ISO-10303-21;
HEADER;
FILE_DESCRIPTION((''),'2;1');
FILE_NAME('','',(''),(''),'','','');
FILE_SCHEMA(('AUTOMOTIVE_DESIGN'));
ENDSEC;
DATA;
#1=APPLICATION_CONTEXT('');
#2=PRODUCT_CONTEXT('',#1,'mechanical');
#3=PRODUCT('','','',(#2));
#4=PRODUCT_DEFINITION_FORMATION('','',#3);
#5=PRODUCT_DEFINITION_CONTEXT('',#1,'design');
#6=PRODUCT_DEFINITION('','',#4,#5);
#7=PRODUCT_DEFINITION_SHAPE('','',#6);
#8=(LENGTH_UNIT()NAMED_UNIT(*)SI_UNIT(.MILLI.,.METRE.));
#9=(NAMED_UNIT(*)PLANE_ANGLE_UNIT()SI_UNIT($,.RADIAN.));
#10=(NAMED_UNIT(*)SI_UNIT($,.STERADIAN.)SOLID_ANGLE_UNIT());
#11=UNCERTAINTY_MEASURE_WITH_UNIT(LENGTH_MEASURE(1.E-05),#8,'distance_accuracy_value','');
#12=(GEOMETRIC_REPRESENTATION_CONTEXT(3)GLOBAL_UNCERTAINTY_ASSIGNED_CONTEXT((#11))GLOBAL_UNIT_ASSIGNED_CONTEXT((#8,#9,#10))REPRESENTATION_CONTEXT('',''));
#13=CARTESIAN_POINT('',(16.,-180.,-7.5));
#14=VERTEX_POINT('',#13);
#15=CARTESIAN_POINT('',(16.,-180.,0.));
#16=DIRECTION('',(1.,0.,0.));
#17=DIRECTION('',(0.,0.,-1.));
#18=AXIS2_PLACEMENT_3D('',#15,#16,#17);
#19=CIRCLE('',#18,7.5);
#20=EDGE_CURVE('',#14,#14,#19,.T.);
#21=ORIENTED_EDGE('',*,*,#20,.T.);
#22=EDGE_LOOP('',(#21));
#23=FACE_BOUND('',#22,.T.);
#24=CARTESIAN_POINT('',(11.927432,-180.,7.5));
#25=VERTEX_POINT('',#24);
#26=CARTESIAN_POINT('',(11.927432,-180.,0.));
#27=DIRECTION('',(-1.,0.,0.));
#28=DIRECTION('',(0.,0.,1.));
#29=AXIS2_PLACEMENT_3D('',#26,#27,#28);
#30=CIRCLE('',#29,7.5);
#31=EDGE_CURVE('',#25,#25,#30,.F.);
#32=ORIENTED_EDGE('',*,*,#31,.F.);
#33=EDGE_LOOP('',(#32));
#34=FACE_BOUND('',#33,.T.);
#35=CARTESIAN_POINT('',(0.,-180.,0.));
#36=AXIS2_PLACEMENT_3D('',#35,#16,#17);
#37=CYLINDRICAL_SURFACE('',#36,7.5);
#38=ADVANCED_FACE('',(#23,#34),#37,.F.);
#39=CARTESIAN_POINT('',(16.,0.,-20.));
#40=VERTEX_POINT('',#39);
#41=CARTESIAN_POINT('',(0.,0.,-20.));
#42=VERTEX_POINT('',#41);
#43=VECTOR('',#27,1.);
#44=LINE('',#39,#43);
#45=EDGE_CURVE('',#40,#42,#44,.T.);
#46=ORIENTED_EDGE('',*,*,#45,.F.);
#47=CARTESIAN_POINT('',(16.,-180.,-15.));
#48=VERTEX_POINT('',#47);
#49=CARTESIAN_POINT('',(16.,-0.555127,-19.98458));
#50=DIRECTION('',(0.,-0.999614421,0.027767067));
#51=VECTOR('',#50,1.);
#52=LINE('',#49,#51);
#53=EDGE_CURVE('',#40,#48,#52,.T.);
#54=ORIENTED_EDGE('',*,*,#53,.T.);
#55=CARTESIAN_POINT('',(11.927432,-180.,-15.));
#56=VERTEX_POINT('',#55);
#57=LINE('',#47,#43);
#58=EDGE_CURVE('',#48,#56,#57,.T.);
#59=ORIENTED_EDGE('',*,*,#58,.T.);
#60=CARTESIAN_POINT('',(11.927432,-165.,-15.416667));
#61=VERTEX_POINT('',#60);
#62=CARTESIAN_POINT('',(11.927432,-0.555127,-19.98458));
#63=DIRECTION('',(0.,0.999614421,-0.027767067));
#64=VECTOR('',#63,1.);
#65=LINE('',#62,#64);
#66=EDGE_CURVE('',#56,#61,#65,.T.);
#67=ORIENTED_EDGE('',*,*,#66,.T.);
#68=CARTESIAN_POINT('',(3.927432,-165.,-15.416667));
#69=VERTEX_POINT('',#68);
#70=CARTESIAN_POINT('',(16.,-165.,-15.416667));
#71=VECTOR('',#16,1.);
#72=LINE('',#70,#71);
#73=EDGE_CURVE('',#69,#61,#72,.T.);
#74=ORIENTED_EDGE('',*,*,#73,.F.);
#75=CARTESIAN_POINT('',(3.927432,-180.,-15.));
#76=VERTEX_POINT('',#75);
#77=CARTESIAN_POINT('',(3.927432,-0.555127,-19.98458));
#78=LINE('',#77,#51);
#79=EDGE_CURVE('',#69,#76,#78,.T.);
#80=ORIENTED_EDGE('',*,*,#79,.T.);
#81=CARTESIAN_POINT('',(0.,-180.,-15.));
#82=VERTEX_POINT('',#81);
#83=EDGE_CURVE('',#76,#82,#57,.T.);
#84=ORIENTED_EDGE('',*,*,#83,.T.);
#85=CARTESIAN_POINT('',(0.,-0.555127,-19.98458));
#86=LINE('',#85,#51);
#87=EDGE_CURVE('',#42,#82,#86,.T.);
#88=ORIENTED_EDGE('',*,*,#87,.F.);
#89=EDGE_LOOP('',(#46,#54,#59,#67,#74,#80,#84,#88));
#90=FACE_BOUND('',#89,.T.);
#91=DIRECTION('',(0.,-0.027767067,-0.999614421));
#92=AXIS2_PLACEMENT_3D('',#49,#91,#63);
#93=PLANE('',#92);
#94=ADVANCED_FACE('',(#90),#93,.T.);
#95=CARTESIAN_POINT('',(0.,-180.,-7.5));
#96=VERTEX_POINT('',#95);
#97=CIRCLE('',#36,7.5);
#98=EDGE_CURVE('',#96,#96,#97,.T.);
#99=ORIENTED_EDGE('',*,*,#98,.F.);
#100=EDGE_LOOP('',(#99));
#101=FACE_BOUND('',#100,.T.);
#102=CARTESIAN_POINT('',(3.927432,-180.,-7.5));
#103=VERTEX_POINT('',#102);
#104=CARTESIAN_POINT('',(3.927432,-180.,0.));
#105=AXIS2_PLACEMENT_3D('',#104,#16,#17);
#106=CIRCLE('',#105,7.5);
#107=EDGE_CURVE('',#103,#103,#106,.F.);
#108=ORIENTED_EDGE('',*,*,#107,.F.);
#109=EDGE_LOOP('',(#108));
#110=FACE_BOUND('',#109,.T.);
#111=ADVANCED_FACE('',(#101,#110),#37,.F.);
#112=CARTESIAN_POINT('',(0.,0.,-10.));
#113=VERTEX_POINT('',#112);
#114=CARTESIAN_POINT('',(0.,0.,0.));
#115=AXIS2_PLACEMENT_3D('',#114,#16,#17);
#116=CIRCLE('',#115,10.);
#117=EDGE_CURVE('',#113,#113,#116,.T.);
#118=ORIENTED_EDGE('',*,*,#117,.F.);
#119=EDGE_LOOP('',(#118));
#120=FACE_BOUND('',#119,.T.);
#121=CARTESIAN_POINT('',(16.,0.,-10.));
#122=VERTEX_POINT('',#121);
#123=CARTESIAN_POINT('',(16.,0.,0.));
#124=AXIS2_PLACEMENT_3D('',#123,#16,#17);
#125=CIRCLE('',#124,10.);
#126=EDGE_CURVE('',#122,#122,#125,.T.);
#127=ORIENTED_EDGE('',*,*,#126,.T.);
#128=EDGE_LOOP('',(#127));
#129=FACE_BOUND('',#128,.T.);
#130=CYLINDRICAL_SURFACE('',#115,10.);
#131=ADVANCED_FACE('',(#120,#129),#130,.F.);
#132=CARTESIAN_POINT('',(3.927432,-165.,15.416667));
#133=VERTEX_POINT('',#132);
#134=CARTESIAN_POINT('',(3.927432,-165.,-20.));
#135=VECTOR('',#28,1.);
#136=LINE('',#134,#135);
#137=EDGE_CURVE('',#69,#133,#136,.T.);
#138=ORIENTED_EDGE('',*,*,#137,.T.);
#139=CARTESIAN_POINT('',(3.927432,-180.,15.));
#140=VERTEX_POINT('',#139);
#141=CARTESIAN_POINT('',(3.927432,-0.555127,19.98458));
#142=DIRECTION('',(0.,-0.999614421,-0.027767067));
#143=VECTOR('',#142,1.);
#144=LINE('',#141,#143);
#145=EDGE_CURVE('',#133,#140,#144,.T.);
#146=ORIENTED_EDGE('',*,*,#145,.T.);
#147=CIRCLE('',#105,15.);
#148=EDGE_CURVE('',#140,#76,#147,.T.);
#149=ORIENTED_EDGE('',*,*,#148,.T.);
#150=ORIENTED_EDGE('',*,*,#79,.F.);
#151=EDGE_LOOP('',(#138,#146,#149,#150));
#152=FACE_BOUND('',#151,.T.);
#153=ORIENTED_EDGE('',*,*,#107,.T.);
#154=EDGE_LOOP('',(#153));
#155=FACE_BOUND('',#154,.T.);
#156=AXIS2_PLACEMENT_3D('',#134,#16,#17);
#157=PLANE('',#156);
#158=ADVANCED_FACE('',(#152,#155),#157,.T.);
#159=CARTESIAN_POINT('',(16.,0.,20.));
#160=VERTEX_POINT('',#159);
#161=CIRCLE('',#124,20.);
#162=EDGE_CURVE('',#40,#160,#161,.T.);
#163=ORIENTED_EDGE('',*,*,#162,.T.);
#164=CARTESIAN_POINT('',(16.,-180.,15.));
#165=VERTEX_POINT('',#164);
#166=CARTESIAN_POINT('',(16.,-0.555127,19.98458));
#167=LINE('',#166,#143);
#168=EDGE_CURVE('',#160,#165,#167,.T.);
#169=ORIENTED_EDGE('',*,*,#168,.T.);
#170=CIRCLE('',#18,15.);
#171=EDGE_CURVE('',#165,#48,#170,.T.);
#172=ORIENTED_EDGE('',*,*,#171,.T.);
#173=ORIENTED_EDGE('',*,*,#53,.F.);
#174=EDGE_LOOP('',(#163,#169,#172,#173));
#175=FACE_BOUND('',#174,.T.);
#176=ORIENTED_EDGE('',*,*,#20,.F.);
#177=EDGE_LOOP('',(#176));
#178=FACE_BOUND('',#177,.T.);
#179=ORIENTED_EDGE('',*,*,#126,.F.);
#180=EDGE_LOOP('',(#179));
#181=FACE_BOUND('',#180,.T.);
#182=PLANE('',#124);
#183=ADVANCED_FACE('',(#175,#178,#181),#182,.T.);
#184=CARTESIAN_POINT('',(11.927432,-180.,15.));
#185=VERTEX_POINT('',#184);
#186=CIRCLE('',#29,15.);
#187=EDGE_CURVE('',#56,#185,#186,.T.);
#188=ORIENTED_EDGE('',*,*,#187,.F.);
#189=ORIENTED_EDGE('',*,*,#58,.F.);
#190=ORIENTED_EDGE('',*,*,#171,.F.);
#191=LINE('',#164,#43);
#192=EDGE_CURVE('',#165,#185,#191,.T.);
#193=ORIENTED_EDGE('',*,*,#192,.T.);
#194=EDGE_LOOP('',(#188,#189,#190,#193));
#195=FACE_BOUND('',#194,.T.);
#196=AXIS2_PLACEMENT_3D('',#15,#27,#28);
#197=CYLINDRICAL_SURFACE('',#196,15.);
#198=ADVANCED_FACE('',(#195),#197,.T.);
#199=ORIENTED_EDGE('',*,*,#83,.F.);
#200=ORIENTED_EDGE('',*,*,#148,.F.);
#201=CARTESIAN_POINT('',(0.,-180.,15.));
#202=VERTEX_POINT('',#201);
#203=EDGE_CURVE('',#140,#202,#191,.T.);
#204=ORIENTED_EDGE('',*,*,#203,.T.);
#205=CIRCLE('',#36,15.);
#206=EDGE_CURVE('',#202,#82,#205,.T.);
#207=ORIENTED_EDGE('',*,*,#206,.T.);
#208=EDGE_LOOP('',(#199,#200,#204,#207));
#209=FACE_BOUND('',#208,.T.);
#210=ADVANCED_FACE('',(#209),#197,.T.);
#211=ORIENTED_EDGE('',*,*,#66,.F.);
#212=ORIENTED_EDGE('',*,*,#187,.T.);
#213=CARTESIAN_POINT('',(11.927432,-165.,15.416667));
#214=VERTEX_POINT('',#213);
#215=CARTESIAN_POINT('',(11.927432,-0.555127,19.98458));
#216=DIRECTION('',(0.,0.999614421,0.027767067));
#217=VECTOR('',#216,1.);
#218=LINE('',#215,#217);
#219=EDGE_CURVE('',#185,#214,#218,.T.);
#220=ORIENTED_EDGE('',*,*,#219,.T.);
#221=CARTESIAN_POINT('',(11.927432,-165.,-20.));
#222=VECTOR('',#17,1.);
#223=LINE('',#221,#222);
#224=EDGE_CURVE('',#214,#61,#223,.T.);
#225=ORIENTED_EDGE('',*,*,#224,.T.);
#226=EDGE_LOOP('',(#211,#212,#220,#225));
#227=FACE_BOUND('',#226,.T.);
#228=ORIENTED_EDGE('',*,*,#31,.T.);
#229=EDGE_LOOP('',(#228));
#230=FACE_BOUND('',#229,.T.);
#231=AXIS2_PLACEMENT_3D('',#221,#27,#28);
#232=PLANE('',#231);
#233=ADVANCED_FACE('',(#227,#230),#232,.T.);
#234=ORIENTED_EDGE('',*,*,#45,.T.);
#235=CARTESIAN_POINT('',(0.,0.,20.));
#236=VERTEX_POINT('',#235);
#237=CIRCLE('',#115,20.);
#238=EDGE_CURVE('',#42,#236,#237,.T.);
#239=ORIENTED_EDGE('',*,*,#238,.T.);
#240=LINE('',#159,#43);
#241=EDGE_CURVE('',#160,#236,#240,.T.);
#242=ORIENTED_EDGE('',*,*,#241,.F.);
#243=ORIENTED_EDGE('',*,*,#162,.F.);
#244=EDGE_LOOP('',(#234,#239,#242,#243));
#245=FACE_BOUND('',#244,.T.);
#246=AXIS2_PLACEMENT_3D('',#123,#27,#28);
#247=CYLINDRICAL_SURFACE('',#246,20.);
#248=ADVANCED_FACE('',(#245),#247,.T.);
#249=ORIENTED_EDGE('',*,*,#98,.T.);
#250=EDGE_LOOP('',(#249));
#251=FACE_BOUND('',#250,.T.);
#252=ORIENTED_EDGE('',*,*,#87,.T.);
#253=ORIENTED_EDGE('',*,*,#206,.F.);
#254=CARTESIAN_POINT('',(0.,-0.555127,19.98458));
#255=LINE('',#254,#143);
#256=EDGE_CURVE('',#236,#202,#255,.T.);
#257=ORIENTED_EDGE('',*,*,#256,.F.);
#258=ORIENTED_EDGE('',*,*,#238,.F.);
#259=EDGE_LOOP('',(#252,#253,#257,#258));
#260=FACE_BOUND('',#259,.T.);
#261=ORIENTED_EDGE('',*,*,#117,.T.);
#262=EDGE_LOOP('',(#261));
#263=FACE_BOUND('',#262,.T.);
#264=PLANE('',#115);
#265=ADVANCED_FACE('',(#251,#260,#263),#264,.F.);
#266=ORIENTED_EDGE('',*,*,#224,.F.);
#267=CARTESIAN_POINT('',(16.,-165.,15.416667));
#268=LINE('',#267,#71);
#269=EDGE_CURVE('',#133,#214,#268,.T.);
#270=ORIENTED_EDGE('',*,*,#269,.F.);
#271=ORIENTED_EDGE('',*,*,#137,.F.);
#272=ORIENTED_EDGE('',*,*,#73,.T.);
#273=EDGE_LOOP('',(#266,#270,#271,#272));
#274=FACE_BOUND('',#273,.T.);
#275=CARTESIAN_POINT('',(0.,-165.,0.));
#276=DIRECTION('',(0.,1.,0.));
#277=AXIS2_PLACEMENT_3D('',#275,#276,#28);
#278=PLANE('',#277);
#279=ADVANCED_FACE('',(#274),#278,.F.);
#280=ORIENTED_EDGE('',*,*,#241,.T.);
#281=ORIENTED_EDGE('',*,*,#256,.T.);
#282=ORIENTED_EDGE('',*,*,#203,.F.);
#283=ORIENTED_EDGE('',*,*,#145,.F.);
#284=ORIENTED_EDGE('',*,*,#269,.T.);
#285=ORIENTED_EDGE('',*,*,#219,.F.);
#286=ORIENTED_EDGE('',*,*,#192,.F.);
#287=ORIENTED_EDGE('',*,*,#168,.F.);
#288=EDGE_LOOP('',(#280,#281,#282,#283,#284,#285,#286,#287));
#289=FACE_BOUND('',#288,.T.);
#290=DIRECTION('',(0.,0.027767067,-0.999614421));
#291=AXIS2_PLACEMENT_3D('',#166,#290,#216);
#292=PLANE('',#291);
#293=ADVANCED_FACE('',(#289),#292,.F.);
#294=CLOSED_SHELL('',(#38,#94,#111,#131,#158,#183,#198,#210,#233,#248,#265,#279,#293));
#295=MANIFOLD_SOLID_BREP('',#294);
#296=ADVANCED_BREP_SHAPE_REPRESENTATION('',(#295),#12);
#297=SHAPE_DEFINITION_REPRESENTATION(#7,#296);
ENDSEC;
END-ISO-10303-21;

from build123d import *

# Parameters (mm, degrees)
EXTRUDE_1_DEPTH     = 16
SKETCH_2_R          = 10
SKETCH_2_R_2        = 7.5
CUT_EXTRUDE_1_DEPTH = 16
SKETCH_3_W          = 8
SKETCH_3_H          = 40
CUT_EXTRUDE_2_DEPTH = 65


with BuildPart() as part:
    # 草图1 → 凸台-拉伸1 (new body)
    with BuildSketch(Plane(origin=(0, 0, 0), x_dir=(0, 0, -1), z_dir=(1, 0, 0))):
        with BuildLine():
            ThreePointArc((20, 0), (0, 20), (-20, 0))
            Line((-20, 0), (-15, -180))
            ThreePointArc((-15, -180), (0, -195), (15, -180))
            Line((15, -180), (20, 0))
        make_face()
    extrude(amount=EXTRUDE_1_DEPTH)

    # 草图2 → 切除-拉伸1 (cut)
    with BuildSketch(Plane(origin=(16, 0, 0), x_dir=(0, 0, -1), z_dir=(1, 0, 0))):
        Circle(SKETCH_2_R)
        with Locations((0, -180)):
            Circle(SKETCH_2_R_2)
    extrude(amount=-CUT_EXTRUDE_1_DEPTH, mode=Mode.SUBTRACT)

    # 草图3 → 切除-拉伸2 (cut)
    with BuildSketch(Plane(origin=(0, -230, 0), x_dir=(1, 0, 0), z_dir=(0, 1, 0))):
        with Locations((7.927431522, 0)):
            Rectangle(SKETCH_3_W, SKETCH_3_H)
    extrude(amount=CUT_EXTRUDE_2_DEPTH, mode=Mode.SUBTRACT)


solid = part.part
